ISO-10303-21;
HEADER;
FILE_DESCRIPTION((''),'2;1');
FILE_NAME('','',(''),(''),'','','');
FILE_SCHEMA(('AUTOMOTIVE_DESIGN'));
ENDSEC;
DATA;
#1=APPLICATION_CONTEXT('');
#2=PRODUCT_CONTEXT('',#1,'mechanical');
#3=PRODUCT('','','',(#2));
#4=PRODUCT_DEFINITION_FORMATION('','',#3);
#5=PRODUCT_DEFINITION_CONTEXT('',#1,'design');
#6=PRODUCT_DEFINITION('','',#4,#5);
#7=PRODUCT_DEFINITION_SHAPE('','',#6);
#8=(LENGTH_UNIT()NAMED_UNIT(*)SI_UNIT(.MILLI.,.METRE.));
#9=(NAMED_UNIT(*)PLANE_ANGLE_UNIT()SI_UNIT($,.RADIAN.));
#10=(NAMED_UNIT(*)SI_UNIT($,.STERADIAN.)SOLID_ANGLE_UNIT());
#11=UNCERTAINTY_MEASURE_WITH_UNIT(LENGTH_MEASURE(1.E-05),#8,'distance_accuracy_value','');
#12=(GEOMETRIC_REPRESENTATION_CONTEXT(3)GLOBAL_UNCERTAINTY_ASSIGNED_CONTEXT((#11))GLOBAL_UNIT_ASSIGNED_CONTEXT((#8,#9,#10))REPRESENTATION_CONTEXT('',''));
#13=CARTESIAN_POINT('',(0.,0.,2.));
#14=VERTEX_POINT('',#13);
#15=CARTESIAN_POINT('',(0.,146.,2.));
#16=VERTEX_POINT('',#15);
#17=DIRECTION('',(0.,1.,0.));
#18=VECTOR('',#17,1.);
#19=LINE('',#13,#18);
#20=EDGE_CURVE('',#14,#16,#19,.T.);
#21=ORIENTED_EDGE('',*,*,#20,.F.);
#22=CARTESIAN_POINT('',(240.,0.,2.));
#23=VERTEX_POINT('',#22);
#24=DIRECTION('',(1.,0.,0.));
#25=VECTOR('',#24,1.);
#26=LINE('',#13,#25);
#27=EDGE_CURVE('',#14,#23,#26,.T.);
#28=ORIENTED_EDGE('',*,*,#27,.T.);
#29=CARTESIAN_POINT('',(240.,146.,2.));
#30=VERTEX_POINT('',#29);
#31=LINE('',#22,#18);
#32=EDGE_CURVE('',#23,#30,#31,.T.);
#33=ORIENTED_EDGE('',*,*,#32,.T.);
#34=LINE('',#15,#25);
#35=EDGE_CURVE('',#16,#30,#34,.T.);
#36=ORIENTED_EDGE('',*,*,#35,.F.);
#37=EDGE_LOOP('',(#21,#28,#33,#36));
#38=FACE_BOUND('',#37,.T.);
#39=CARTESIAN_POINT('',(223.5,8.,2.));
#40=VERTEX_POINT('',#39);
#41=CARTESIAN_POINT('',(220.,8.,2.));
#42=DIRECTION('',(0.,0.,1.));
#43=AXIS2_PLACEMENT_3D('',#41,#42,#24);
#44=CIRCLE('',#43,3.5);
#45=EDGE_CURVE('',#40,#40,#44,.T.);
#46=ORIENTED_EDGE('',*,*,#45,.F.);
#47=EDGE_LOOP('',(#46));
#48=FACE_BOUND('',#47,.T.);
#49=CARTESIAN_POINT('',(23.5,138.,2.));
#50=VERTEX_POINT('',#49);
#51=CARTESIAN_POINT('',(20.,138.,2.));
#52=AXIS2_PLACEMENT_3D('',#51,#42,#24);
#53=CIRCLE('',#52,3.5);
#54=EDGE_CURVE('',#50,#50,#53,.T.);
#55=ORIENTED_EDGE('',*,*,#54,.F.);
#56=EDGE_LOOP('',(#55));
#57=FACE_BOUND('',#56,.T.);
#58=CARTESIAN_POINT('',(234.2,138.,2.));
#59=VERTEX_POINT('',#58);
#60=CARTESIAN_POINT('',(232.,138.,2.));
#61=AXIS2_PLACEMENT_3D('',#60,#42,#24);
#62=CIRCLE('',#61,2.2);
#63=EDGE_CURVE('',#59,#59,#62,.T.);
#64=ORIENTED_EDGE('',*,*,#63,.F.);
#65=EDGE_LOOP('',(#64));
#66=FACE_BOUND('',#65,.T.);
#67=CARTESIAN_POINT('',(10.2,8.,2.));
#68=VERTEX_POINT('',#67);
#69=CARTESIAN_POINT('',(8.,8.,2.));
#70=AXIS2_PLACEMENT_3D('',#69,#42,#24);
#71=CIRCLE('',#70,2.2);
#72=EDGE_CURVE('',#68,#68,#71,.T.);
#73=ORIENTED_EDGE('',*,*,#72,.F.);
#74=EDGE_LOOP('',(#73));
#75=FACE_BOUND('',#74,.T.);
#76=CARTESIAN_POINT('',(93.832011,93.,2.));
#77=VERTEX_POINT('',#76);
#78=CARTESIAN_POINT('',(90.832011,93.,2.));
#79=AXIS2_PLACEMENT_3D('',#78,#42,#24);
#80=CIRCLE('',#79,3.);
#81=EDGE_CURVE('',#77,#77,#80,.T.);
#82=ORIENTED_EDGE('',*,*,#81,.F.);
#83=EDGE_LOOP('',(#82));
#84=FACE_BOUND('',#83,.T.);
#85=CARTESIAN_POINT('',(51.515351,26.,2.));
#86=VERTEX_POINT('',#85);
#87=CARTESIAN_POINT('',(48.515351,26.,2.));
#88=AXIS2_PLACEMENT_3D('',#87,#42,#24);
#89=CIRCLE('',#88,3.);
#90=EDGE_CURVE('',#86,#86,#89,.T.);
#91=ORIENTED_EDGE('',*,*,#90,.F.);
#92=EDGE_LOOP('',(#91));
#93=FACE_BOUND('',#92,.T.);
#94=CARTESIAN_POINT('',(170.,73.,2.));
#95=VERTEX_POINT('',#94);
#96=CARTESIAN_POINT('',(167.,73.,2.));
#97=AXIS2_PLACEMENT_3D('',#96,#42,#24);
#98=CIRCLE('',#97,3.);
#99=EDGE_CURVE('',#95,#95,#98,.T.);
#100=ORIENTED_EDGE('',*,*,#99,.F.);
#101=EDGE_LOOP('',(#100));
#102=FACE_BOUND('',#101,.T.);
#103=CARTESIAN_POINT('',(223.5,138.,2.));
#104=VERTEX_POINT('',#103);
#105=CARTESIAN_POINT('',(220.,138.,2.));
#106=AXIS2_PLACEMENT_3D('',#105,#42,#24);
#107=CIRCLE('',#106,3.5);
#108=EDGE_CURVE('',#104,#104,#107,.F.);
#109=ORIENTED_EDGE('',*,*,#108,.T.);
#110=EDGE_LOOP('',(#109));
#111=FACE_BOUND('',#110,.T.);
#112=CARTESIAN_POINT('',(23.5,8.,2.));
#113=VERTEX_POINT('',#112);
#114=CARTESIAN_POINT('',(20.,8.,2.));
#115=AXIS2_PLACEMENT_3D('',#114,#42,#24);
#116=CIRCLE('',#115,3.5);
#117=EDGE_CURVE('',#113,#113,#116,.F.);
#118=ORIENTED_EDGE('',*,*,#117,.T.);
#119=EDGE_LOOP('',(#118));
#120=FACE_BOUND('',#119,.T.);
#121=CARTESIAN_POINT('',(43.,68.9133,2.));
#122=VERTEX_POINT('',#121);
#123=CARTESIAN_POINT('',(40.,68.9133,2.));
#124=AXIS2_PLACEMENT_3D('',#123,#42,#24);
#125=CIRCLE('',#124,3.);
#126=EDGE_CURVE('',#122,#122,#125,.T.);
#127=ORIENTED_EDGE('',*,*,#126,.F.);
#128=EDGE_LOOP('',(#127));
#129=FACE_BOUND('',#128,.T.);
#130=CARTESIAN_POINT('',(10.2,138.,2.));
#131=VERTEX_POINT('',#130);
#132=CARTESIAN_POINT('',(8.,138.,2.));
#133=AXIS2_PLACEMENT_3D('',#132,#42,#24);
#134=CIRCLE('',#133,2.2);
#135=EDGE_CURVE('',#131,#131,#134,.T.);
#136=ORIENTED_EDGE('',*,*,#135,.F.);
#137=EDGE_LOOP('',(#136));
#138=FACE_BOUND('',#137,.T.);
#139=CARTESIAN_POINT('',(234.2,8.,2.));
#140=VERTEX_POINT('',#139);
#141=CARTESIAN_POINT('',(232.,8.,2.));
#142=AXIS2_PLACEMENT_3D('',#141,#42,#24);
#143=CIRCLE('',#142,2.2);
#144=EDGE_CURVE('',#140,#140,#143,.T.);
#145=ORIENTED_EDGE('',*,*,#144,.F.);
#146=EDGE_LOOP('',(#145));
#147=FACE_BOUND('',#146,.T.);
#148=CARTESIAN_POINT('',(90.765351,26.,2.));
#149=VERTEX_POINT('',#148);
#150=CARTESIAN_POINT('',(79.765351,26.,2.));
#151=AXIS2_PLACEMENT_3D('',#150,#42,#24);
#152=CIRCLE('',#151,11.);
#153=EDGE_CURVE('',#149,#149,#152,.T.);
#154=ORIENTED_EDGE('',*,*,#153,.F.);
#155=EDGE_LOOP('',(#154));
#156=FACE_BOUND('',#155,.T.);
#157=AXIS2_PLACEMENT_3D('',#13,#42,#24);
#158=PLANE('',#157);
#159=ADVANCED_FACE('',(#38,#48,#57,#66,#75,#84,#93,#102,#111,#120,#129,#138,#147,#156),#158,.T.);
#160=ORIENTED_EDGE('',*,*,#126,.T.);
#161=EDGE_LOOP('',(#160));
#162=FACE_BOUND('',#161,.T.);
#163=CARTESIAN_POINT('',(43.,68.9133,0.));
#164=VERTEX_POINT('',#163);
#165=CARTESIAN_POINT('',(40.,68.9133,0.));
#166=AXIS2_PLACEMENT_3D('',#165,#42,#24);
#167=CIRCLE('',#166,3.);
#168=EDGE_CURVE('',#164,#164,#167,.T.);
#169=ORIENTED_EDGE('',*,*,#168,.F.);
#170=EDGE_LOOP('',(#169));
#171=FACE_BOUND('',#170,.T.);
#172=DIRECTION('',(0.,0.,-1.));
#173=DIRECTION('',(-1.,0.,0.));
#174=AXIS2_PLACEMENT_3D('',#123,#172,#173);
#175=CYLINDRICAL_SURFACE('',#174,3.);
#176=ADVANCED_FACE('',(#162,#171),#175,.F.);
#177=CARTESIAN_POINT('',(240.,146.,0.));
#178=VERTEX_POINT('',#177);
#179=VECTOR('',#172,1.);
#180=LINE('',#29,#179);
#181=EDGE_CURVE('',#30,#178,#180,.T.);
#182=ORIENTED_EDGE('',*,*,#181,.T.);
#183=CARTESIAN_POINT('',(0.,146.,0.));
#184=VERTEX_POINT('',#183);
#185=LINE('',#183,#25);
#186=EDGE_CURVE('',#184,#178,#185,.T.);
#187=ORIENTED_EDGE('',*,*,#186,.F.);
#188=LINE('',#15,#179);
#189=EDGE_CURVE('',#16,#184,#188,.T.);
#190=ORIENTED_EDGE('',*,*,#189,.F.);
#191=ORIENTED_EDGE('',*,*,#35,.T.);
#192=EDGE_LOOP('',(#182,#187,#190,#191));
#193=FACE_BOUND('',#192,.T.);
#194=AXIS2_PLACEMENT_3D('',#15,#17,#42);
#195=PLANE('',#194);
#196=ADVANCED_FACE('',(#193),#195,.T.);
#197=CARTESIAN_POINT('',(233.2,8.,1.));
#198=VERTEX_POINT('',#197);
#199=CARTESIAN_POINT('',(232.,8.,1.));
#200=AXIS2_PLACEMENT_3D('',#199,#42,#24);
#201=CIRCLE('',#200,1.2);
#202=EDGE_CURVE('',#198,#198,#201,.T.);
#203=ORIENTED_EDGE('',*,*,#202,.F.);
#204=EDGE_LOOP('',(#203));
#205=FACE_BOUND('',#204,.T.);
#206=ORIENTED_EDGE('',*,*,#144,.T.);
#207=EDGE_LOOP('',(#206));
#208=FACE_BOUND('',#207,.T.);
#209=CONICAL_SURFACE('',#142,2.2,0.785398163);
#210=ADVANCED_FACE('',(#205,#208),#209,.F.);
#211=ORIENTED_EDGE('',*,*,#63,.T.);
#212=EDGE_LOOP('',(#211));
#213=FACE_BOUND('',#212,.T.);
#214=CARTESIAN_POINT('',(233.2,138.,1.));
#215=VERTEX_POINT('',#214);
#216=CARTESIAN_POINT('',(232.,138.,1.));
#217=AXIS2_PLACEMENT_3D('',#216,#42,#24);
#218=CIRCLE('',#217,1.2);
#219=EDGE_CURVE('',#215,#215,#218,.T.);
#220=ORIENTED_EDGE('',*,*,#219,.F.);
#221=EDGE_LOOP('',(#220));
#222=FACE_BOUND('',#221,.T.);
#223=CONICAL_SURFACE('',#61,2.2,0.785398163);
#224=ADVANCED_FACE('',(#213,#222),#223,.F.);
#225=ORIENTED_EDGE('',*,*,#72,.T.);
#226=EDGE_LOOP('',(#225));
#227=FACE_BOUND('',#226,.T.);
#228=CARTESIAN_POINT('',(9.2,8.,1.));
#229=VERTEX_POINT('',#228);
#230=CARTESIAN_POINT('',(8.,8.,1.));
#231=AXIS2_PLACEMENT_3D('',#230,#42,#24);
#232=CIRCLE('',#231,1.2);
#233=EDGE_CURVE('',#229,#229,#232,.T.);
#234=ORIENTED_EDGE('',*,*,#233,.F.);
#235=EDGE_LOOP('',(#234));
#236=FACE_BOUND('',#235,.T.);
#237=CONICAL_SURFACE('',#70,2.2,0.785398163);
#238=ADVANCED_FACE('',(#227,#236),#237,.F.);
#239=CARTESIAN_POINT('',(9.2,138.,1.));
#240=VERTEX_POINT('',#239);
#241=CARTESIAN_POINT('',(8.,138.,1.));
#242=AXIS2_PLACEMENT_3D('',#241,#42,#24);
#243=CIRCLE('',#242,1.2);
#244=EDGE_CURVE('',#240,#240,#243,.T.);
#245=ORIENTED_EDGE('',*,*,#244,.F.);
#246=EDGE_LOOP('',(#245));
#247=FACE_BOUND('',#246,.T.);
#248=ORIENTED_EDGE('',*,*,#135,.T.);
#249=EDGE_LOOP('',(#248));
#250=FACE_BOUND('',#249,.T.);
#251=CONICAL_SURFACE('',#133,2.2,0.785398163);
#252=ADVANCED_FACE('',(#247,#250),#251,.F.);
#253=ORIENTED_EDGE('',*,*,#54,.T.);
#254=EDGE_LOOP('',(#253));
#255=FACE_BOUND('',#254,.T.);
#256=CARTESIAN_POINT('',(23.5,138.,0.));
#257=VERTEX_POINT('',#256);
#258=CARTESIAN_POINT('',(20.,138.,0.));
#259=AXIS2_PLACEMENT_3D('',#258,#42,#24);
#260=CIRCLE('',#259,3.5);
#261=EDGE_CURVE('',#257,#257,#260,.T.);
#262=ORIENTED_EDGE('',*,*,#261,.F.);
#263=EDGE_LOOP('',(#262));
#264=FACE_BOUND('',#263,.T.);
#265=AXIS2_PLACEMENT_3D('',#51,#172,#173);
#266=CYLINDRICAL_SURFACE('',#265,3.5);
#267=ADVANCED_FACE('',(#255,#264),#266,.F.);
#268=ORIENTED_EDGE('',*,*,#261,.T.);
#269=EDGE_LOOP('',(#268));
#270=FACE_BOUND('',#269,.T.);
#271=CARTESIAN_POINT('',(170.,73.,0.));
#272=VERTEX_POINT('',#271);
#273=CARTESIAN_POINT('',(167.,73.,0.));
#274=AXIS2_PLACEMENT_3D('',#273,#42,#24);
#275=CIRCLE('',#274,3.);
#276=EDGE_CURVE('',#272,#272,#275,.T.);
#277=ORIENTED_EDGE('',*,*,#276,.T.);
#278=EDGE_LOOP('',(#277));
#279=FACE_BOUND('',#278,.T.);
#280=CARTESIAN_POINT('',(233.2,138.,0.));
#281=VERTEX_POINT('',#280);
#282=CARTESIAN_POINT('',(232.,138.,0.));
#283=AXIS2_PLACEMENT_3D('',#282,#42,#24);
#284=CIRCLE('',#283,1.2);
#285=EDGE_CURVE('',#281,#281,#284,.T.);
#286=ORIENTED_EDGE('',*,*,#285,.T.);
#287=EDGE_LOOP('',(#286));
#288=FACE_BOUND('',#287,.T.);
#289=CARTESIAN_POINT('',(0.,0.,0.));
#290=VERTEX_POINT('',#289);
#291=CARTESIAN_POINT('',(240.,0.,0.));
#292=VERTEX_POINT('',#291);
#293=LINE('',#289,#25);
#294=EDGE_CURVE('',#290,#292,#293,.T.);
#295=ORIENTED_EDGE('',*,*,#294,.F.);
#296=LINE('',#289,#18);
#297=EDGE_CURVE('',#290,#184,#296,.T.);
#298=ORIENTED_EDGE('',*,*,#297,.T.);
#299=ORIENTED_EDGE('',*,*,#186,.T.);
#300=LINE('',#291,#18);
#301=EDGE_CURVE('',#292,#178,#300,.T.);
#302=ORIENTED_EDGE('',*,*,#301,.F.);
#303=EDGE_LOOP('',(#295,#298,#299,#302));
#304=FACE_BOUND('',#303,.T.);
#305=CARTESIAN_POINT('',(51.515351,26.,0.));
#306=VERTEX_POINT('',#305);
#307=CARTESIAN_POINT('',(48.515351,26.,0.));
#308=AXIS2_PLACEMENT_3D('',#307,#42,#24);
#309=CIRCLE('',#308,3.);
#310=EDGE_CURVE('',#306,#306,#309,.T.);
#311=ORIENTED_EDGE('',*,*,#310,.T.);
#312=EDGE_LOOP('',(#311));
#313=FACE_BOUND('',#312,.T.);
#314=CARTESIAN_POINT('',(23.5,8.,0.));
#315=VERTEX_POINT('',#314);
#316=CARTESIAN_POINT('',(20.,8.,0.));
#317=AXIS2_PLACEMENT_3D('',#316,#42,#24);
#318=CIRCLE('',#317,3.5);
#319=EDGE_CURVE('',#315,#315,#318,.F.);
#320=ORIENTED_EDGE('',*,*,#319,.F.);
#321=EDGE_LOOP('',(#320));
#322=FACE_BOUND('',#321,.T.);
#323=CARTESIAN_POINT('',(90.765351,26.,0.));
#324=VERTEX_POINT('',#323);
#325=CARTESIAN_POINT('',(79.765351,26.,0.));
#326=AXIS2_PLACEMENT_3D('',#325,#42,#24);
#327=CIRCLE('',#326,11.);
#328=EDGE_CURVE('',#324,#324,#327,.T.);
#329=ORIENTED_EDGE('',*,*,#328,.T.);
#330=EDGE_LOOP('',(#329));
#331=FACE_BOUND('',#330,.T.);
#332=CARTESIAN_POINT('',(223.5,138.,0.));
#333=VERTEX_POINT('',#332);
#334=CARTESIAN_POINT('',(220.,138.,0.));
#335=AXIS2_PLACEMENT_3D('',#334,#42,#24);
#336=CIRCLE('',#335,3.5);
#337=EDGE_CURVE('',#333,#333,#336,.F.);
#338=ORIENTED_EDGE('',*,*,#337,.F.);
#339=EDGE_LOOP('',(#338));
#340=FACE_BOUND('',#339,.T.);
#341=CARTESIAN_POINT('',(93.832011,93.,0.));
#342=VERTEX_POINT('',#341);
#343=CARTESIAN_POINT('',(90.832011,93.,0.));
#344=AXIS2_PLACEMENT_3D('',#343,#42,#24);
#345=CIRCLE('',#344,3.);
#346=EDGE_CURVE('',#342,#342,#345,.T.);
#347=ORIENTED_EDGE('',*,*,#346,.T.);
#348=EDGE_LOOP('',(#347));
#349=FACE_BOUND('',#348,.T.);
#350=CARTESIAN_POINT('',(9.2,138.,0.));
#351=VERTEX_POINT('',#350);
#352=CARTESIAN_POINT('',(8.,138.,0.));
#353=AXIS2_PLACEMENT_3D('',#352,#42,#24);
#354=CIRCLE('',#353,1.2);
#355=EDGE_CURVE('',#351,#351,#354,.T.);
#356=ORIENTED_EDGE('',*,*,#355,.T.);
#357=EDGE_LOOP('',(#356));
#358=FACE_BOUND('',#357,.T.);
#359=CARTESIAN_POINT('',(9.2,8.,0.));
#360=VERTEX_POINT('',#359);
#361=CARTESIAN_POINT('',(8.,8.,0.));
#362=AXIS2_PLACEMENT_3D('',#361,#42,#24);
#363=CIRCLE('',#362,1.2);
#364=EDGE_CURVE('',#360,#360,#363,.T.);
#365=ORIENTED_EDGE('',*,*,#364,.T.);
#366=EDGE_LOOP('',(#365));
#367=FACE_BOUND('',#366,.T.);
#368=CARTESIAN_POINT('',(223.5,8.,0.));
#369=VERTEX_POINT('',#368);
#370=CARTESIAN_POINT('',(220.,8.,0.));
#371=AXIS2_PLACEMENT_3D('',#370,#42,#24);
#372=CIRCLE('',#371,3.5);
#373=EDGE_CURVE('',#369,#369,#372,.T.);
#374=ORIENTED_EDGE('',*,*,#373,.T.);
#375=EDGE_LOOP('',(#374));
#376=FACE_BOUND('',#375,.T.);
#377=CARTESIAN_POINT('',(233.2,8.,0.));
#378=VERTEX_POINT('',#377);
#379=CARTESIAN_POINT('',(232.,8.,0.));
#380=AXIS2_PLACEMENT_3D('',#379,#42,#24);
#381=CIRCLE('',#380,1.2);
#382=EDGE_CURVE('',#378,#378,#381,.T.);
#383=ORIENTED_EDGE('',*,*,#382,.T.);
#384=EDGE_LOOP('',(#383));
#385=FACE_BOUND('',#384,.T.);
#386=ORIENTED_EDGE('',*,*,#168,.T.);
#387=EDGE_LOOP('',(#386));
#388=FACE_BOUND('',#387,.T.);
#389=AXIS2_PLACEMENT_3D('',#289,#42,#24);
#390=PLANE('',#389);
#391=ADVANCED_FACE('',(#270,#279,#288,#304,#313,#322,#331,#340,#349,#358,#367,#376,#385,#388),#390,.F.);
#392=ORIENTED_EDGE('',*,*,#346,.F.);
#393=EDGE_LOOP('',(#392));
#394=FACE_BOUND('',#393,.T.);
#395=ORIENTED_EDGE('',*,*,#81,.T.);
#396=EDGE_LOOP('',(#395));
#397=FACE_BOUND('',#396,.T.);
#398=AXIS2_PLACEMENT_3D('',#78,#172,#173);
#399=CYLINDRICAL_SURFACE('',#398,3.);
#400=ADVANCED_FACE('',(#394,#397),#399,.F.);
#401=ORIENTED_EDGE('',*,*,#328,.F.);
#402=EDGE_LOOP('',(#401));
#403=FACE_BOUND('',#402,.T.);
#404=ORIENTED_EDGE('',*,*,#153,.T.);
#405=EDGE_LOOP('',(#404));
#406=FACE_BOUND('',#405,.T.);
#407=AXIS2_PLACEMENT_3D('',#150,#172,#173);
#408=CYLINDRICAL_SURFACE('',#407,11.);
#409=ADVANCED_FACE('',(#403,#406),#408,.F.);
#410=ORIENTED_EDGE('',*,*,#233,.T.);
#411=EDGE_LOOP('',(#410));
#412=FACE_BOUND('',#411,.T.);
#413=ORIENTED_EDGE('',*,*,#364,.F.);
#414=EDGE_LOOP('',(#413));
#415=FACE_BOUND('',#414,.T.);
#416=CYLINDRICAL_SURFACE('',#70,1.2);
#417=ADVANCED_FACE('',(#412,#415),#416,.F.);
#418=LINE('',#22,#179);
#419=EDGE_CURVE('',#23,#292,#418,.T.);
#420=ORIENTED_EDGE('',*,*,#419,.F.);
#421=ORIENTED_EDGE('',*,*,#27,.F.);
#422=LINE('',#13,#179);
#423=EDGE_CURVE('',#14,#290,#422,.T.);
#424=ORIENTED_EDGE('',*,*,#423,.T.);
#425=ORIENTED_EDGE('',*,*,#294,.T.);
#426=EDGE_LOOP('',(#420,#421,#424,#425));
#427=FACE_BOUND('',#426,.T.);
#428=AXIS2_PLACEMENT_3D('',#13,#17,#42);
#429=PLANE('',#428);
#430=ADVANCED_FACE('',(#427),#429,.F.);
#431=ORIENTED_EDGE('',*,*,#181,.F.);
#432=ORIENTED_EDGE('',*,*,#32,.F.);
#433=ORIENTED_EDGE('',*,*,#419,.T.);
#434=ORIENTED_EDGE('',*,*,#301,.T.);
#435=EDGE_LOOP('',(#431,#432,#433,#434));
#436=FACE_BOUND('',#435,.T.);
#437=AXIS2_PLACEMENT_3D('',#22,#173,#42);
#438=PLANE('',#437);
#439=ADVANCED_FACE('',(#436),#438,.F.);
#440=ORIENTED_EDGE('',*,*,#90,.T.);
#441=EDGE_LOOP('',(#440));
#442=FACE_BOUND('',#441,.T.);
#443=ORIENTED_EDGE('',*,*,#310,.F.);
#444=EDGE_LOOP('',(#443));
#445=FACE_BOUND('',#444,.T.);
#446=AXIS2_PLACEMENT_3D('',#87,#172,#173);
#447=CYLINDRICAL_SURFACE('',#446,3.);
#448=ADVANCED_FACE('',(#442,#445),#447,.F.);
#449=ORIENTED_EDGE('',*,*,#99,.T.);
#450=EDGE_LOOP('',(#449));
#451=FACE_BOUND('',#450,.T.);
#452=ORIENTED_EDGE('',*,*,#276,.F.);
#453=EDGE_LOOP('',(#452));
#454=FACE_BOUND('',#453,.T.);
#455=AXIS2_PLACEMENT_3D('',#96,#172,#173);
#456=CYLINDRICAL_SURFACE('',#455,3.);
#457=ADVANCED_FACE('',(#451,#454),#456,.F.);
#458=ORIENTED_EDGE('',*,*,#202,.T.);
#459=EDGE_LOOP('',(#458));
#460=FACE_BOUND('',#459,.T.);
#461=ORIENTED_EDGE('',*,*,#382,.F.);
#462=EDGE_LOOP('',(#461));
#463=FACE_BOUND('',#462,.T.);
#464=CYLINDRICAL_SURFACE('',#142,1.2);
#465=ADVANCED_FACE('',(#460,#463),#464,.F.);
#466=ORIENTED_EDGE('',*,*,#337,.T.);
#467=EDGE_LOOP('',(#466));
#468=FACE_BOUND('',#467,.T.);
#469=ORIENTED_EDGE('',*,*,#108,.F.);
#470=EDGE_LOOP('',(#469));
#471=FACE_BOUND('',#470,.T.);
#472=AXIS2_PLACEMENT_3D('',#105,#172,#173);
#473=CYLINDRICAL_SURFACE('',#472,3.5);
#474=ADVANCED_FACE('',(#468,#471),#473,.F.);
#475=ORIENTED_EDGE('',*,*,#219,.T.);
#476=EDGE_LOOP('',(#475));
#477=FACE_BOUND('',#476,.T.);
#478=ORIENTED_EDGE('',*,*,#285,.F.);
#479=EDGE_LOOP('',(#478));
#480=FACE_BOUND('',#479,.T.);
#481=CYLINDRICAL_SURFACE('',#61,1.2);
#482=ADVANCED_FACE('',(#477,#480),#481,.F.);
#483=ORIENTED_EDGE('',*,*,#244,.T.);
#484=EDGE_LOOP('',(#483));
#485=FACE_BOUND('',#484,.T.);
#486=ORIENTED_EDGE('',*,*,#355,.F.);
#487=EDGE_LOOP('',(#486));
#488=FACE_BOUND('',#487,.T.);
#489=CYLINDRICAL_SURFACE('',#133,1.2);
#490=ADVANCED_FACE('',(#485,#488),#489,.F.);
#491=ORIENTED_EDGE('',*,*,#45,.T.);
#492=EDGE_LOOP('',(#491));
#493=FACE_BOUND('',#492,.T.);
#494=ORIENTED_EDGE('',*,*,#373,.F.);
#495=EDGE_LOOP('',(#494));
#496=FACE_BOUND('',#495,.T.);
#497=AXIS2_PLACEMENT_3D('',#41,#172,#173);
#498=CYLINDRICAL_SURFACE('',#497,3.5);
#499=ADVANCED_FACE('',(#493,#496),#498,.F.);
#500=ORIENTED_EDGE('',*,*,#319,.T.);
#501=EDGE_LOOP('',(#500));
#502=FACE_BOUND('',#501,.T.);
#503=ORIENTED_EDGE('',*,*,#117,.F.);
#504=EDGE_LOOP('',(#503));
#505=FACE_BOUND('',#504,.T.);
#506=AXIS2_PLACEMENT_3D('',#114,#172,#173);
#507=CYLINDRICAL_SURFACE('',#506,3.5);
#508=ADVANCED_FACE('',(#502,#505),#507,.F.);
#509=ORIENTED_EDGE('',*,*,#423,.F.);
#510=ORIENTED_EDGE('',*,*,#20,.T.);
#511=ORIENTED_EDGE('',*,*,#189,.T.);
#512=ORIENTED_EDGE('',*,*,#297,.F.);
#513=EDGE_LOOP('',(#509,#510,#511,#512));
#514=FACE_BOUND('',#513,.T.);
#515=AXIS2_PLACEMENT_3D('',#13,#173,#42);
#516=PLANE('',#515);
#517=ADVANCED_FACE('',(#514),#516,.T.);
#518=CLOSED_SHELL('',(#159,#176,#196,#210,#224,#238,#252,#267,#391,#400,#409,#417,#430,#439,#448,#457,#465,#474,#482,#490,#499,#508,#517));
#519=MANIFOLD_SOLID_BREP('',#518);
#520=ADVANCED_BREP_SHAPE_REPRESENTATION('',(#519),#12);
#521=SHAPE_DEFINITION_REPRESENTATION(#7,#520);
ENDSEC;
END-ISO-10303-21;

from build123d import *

# Parameters (mm, degrees)
SKETCH_1_W                 = 240
SKETCH_1_H                 = 146
SKETCH_1_R                 = 11
SKETCH_1_R_2               = 3
SKETCH_1_R_3               = 3.5
EXTRUDE_1_DEPTH            = 2
HOLE_WIZARD_M22_AT_2_COUNT = 2
HOLE_WIZARD_M22_AT_2_PITCH = 224
HOLE_WIZARD_M22_AT_3_COUNT = 2
HOLE_WIZARD_M22_AT_3_PITCH = 258.99034731
HOLE_WIZARD_M22_AT_4_COUNT = 2
HOLE_WIZARD_M22_AT_4_PITCH = 130


with BuildPart() as part:
    # Эскиз1 → Бобышка-Вытянуть1 (new body)
    with BuildSketch(Plane.XY):
        with Locations((120, 73)):
            Rectangle(SKETCH_1_W, SKETCH_1_H)
        with Locations((79.765350749, 26)):
            Circle(SKETCH_1_R, mode=Mode.SUBTRACT)
        with Locations((48.515350749, 26)):
            Circle(SKETCH_1_R_2, mode=Mode.SUBTRACT)
        with Locations((167, 73)):
            Circle(SKETCH_1_R_2, mode=Mode.SUBTRACT)
        with Locations((90.832011317, 93)):
            Circle(SKETCH_1_R_2, mode=Mode.SUBTRACT)
        with Locations((40, 68.913299822)):
            Circle(SKETCH_1_R_2, mode=Mode.SUBTRACT)
        with Locations((20, 138)):
            Circle(SKETCH_1_R_3, mode=Mode.SUBTRACT)
        with Locations((220, 138)):
            Circle(SKETCH_1_R_3, mode=Mode.SUBTRACT)
        with Locations((220, 8)):
            Circle(SKETCH_1_R_3, mode=Mode.SUBTRACT)
        with Locations((20, 8)):
            Circle(SKETCH_1_R_3, mode=Mode.SUBTRACT)
    extrude(amount=EXTRUDE_1_DEPTH)

    # Эскиз7 → Зенковка для винта с полупотайной головкой M22 (revolve, cut)
    with BuildSketch(Plane(origin=(8, 138, 2), x_dir=(0, -1, 0), z_dir=(1, 0, 0))):
        Polygon((0, 0), (0, 2), (1.2, 2), (1.2, 1), (2.2, 0), align=None)
    hole_wizard_m22 = revolve(axis=Axis((8, 138, 8.35), (0, 0, -1)), mode=Mode.SUBTRACT)

    # Зенковка для винта с полупотайной головкой M22 at 2: Зенковка для винта с полупотайной головкой M22 ×2
    with Locations(*[(i * HOLE_WIZARD_M22_AT_2_PITCH, 0, 0) for i in range(1, HOLE_WIZARD_M22_AT_2_COUNT)]):
        add(hole_wizard_m22, mode=Mode.SUBTRACT)

    # Зенковка для винта с полупотайной головкой M22 at 3: Зенковка для винта с полупотайной головкой M22 ×2
    with Locations(*[Vector(0.864897099, -0.501949209, 0) * (i * HOLE_WIZARD_M22_AT_3_PITCH) for i in range(1, HOLE_WIZARD_M22_AT_3_COUNT)]):
        add(hole_wizard_m22, mode=Mode.SUBTRACT)

    # Зенковка для винта с полупотайной головкой M22 at 4: Зенковка для винта с полупотайной головкой M22 ×2
    with Locations(*[(0, -i * HOLE_WIZARD_M22_AT_4_PITCH, 0) for i in range(1, HOLE_WIZARD_M22_AT_4_COUNT)]):
        add(hole_wizard_m22, mode=Mode.SUBTRACT)


solid = part.part
